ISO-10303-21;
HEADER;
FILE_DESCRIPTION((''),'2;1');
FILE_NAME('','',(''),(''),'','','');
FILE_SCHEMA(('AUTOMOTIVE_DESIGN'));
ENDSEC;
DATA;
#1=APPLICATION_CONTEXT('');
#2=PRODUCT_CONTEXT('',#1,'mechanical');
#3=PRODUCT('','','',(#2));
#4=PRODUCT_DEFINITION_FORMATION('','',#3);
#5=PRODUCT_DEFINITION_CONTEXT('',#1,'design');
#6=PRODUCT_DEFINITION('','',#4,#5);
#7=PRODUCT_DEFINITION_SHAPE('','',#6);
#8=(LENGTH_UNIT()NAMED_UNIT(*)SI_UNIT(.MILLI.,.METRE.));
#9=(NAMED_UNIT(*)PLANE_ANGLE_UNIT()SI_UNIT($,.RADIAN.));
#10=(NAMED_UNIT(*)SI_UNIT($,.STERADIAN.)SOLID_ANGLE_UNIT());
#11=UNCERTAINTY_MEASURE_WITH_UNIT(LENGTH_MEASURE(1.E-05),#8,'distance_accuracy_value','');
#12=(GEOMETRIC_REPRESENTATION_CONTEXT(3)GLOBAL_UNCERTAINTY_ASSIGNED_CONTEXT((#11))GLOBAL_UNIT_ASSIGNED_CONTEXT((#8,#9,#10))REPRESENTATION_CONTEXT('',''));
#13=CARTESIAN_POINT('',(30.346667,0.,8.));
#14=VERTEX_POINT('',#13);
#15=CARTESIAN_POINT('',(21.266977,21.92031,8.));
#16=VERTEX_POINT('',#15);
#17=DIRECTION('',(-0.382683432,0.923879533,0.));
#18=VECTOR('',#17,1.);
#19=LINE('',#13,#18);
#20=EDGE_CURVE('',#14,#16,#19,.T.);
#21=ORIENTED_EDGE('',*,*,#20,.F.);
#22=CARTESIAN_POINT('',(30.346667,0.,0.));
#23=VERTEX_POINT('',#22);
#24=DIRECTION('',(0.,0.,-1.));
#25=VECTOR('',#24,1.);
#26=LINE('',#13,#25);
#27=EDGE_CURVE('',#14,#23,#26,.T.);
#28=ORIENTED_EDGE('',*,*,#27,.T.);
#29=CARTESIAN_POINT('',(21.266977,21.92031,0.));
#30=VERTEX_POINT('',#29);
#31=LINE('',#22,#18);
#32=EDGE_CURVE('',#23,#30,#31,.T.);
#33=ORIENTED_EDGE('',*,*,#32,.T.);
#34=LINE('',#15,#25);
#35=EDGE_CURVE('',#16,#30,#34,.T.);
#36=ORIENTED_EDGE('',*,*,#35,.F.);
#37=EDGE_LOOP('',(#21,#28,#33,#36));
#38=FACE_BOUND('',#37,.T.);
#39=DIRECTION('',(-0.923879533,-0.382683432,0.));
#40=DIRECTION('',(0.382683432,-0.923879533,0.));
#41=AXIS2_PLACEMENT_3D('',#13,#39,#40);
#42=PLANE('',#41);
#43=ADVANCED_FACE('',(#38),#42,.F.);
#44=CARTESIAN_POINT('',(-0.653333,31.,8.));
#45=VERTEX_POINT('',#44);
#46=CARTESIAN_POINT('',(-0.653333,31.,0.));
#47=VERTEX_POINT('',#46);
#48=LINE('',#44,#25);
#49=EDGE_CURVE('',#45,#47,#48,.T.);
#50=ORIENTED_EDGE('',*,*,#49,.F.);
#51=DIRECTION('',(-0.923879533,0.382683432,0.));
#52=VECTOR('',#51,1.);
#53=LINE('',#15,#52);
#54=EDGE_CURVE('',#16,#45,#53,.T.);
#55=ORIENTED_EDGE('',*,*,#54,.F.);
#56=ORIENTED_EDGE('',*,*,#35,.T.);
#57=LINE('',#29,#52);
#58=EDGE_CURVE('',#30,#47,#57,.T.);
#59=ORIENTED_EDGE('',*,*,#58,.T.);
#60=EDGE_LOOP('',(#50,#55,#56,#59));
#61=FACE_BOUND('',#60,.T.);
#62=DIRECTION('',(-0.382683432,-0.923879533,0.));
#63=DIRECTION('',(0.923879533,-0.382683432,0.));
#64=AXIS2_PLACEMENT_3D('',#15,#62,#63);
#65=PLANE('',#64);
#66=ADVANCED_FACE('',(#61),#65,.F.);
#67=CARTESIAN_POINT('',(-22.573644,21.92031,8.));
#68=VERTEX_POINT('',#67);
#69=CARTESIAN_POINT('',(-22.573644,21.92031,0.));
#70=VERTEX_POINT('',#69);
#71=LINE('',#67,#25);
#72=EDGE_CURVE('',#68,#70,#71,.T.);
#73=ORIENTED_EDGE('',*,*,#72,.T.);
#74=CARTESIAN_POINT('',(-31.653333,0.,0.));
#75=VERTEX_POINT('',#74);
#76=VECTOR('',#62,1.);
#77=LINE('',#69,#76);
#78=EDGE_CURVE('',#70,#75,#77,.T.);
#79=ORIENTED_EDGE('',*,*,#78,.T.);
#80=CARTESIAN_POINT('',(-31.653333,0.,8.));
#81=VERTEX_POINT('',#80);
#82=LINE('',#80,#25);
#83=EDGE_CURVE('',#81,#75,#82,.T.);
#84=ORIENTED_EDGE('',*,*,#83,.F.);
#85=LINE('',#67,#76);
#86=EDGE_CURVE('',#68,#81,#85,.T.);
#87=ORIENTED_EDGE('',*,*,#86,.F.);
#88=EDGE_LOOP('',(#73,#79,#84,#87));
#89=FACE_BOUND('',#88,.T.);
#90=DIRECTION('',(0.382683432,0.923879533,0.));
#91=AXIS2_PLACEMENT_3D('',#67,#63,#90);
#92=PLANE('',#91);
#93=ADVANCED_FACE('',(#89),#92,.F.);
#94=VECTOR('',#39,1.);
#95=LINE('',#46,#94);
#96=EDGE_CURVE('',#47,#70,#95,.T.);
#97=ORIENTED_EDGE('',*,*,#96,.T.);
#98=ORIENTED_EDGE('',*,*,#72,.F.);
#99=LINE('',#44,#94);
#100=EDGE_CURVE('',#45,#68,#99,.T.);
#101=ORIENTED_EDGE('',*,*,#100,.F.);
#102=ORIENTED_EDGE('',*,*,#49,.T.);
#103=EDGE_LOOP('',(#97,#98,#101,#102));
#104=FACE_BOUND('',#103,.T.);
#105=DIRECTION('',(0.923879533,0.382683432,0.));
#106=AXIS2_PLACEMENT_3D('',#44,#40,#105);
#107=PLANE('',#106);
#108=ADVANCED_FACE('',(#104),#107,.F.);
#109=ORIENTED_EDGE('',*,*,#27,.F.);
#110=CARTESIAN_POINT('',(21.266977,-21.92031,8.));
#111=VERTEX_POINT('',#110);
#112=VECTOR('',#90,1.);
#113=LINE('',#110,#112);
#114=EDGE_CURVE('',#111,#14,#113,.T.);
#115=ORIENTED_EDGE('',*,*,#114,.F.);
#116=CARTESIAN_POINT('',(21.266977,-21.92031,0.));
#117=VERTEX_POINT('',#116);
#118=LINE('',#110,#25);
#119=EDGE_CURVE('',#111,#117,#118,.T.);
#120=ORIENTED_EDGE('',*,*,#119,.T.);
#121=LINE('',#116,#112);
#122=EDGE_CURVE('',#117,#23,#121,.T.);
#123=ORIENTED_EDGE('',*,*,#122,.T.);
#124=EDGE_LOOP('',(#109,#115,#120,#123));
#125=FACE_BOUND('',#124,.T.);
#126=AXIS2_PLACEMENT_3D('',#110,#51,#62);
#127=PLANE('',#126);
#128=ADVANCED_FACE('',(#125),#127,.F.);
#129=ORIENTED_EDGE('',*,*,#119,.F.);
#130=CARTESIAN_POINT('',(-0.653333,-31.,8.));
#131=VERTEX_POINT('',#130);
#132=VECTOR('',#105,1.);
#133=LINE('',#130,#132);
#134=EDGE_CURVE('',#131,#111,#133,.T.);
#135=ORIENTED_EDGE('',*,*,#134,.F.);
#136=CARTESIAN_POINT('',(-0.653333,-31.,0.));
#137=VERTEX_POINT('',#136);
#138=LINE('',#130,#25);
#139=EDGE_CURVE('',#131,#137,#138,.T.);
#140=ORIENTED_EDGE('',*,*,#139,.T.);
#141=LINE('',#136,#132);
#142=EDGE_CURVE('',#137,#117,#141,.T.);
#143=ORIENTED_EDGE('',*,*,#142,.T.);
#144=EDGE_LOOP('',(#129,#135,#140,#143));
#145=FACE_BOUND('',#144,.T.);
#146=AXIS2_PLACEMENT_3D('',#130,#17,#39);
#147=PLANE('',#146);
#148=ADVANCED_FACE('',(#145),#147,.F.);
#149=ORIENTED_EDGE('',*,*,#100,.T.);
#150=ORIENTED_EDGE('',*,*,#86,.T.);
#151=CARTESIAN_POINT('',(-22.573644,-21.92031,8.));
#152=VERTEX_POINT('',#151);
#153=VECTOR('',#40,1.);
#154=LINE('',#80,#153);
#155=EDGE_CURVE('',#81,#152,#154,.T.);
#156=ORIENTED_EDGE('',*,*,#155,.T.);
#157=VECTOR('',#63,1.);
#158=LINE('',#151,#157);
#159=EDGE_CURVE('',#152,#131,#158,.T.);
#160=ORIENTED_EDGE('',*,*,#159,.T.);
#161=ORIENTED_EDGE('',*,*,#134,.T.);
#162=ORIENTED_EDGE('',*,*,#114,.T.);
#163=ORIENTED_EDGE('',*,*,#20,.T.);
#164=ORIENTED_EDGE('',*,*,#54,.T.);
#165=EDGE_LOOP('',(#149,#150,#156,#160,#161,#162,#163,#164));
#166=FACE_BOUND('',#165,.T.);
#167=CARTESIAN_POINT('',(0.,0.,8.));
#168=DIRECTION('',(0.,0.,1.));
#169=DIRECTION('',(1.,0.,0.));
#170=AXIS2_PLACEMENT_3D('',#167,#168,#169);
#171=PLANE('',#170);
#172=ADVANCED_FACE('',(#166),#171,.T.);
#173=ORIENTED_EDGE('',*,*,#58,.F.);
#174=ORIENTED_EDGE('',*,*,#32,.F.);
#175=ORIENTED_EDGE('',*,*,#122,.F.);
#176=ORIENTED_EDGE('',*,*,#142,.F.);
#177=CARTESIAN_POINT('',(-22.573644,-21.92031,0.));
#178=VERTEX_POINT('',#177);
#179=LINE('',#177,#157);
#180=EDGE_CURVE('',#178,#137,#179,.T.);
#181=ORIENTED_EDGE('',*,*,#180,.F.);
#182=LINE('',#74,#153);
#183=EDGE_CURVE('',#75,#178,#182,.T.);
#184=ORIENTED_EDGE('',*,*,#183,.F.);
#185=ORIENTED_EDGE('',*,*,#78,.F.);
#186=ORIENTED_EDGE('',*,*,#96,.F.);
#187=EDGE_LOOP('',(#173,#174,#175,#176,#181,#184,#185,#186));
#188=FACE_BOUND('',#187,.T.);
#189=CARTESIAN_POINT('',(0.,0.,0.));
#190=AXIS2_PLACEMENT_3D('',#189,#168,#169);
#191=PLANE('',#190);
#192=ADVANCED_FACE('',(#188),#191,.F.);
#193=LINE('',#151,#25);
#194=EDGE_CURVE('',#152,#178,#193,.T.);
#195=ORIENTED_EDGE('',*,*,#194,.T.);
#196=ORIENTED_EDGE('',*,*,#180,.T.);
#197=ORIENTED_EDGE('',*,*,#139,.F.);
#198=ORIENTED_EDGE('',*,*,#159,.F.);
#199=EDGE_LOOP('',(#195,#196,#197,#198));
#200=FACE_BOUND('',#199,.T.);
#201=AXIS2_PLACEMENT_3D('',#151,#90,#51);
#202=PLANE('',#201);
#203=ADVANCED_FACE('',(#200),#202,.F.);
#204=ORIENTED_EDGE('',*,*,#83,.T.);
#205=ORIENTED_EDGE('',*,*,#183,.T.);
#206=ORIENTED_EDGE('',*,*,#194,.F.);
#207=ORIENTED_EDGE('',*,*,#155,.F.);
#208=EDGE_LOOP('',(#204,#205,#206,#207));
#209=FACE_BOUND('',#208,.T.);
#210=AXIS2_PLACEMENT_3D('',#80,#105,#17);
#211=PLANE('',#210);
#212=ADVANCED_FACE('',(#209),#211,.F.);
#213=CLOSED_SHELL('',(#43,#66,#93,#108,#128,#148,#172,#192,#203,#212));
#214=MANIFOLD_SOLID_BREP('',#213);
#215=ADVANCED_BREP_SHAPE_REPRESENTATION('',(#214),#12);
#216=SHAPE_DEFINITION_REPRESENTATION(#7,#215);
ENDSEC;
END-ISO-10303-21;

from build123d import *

# Parameters (mm, degrees)
BOSS_EXTRUDE1_DEPTH = 8


with BuildPart() as part:
    # Sketch1 → Boss-Extrude1 (new body)
    with BuildSketch(Plane.XY):
        Polygon((30.346666667, 0), (21.266976883, 21.920310217), (-0.653333333, 31), (-22.57364355, 21.920310217), (-31.653333333, 0), (-22.57364355, -21.920310217), (-0.653333333, -31), (21.266976883, -21.920310217), align=None)
    extrude(amount=BOSS_EXTRUDE1_DEPTH)


solid = part.part
